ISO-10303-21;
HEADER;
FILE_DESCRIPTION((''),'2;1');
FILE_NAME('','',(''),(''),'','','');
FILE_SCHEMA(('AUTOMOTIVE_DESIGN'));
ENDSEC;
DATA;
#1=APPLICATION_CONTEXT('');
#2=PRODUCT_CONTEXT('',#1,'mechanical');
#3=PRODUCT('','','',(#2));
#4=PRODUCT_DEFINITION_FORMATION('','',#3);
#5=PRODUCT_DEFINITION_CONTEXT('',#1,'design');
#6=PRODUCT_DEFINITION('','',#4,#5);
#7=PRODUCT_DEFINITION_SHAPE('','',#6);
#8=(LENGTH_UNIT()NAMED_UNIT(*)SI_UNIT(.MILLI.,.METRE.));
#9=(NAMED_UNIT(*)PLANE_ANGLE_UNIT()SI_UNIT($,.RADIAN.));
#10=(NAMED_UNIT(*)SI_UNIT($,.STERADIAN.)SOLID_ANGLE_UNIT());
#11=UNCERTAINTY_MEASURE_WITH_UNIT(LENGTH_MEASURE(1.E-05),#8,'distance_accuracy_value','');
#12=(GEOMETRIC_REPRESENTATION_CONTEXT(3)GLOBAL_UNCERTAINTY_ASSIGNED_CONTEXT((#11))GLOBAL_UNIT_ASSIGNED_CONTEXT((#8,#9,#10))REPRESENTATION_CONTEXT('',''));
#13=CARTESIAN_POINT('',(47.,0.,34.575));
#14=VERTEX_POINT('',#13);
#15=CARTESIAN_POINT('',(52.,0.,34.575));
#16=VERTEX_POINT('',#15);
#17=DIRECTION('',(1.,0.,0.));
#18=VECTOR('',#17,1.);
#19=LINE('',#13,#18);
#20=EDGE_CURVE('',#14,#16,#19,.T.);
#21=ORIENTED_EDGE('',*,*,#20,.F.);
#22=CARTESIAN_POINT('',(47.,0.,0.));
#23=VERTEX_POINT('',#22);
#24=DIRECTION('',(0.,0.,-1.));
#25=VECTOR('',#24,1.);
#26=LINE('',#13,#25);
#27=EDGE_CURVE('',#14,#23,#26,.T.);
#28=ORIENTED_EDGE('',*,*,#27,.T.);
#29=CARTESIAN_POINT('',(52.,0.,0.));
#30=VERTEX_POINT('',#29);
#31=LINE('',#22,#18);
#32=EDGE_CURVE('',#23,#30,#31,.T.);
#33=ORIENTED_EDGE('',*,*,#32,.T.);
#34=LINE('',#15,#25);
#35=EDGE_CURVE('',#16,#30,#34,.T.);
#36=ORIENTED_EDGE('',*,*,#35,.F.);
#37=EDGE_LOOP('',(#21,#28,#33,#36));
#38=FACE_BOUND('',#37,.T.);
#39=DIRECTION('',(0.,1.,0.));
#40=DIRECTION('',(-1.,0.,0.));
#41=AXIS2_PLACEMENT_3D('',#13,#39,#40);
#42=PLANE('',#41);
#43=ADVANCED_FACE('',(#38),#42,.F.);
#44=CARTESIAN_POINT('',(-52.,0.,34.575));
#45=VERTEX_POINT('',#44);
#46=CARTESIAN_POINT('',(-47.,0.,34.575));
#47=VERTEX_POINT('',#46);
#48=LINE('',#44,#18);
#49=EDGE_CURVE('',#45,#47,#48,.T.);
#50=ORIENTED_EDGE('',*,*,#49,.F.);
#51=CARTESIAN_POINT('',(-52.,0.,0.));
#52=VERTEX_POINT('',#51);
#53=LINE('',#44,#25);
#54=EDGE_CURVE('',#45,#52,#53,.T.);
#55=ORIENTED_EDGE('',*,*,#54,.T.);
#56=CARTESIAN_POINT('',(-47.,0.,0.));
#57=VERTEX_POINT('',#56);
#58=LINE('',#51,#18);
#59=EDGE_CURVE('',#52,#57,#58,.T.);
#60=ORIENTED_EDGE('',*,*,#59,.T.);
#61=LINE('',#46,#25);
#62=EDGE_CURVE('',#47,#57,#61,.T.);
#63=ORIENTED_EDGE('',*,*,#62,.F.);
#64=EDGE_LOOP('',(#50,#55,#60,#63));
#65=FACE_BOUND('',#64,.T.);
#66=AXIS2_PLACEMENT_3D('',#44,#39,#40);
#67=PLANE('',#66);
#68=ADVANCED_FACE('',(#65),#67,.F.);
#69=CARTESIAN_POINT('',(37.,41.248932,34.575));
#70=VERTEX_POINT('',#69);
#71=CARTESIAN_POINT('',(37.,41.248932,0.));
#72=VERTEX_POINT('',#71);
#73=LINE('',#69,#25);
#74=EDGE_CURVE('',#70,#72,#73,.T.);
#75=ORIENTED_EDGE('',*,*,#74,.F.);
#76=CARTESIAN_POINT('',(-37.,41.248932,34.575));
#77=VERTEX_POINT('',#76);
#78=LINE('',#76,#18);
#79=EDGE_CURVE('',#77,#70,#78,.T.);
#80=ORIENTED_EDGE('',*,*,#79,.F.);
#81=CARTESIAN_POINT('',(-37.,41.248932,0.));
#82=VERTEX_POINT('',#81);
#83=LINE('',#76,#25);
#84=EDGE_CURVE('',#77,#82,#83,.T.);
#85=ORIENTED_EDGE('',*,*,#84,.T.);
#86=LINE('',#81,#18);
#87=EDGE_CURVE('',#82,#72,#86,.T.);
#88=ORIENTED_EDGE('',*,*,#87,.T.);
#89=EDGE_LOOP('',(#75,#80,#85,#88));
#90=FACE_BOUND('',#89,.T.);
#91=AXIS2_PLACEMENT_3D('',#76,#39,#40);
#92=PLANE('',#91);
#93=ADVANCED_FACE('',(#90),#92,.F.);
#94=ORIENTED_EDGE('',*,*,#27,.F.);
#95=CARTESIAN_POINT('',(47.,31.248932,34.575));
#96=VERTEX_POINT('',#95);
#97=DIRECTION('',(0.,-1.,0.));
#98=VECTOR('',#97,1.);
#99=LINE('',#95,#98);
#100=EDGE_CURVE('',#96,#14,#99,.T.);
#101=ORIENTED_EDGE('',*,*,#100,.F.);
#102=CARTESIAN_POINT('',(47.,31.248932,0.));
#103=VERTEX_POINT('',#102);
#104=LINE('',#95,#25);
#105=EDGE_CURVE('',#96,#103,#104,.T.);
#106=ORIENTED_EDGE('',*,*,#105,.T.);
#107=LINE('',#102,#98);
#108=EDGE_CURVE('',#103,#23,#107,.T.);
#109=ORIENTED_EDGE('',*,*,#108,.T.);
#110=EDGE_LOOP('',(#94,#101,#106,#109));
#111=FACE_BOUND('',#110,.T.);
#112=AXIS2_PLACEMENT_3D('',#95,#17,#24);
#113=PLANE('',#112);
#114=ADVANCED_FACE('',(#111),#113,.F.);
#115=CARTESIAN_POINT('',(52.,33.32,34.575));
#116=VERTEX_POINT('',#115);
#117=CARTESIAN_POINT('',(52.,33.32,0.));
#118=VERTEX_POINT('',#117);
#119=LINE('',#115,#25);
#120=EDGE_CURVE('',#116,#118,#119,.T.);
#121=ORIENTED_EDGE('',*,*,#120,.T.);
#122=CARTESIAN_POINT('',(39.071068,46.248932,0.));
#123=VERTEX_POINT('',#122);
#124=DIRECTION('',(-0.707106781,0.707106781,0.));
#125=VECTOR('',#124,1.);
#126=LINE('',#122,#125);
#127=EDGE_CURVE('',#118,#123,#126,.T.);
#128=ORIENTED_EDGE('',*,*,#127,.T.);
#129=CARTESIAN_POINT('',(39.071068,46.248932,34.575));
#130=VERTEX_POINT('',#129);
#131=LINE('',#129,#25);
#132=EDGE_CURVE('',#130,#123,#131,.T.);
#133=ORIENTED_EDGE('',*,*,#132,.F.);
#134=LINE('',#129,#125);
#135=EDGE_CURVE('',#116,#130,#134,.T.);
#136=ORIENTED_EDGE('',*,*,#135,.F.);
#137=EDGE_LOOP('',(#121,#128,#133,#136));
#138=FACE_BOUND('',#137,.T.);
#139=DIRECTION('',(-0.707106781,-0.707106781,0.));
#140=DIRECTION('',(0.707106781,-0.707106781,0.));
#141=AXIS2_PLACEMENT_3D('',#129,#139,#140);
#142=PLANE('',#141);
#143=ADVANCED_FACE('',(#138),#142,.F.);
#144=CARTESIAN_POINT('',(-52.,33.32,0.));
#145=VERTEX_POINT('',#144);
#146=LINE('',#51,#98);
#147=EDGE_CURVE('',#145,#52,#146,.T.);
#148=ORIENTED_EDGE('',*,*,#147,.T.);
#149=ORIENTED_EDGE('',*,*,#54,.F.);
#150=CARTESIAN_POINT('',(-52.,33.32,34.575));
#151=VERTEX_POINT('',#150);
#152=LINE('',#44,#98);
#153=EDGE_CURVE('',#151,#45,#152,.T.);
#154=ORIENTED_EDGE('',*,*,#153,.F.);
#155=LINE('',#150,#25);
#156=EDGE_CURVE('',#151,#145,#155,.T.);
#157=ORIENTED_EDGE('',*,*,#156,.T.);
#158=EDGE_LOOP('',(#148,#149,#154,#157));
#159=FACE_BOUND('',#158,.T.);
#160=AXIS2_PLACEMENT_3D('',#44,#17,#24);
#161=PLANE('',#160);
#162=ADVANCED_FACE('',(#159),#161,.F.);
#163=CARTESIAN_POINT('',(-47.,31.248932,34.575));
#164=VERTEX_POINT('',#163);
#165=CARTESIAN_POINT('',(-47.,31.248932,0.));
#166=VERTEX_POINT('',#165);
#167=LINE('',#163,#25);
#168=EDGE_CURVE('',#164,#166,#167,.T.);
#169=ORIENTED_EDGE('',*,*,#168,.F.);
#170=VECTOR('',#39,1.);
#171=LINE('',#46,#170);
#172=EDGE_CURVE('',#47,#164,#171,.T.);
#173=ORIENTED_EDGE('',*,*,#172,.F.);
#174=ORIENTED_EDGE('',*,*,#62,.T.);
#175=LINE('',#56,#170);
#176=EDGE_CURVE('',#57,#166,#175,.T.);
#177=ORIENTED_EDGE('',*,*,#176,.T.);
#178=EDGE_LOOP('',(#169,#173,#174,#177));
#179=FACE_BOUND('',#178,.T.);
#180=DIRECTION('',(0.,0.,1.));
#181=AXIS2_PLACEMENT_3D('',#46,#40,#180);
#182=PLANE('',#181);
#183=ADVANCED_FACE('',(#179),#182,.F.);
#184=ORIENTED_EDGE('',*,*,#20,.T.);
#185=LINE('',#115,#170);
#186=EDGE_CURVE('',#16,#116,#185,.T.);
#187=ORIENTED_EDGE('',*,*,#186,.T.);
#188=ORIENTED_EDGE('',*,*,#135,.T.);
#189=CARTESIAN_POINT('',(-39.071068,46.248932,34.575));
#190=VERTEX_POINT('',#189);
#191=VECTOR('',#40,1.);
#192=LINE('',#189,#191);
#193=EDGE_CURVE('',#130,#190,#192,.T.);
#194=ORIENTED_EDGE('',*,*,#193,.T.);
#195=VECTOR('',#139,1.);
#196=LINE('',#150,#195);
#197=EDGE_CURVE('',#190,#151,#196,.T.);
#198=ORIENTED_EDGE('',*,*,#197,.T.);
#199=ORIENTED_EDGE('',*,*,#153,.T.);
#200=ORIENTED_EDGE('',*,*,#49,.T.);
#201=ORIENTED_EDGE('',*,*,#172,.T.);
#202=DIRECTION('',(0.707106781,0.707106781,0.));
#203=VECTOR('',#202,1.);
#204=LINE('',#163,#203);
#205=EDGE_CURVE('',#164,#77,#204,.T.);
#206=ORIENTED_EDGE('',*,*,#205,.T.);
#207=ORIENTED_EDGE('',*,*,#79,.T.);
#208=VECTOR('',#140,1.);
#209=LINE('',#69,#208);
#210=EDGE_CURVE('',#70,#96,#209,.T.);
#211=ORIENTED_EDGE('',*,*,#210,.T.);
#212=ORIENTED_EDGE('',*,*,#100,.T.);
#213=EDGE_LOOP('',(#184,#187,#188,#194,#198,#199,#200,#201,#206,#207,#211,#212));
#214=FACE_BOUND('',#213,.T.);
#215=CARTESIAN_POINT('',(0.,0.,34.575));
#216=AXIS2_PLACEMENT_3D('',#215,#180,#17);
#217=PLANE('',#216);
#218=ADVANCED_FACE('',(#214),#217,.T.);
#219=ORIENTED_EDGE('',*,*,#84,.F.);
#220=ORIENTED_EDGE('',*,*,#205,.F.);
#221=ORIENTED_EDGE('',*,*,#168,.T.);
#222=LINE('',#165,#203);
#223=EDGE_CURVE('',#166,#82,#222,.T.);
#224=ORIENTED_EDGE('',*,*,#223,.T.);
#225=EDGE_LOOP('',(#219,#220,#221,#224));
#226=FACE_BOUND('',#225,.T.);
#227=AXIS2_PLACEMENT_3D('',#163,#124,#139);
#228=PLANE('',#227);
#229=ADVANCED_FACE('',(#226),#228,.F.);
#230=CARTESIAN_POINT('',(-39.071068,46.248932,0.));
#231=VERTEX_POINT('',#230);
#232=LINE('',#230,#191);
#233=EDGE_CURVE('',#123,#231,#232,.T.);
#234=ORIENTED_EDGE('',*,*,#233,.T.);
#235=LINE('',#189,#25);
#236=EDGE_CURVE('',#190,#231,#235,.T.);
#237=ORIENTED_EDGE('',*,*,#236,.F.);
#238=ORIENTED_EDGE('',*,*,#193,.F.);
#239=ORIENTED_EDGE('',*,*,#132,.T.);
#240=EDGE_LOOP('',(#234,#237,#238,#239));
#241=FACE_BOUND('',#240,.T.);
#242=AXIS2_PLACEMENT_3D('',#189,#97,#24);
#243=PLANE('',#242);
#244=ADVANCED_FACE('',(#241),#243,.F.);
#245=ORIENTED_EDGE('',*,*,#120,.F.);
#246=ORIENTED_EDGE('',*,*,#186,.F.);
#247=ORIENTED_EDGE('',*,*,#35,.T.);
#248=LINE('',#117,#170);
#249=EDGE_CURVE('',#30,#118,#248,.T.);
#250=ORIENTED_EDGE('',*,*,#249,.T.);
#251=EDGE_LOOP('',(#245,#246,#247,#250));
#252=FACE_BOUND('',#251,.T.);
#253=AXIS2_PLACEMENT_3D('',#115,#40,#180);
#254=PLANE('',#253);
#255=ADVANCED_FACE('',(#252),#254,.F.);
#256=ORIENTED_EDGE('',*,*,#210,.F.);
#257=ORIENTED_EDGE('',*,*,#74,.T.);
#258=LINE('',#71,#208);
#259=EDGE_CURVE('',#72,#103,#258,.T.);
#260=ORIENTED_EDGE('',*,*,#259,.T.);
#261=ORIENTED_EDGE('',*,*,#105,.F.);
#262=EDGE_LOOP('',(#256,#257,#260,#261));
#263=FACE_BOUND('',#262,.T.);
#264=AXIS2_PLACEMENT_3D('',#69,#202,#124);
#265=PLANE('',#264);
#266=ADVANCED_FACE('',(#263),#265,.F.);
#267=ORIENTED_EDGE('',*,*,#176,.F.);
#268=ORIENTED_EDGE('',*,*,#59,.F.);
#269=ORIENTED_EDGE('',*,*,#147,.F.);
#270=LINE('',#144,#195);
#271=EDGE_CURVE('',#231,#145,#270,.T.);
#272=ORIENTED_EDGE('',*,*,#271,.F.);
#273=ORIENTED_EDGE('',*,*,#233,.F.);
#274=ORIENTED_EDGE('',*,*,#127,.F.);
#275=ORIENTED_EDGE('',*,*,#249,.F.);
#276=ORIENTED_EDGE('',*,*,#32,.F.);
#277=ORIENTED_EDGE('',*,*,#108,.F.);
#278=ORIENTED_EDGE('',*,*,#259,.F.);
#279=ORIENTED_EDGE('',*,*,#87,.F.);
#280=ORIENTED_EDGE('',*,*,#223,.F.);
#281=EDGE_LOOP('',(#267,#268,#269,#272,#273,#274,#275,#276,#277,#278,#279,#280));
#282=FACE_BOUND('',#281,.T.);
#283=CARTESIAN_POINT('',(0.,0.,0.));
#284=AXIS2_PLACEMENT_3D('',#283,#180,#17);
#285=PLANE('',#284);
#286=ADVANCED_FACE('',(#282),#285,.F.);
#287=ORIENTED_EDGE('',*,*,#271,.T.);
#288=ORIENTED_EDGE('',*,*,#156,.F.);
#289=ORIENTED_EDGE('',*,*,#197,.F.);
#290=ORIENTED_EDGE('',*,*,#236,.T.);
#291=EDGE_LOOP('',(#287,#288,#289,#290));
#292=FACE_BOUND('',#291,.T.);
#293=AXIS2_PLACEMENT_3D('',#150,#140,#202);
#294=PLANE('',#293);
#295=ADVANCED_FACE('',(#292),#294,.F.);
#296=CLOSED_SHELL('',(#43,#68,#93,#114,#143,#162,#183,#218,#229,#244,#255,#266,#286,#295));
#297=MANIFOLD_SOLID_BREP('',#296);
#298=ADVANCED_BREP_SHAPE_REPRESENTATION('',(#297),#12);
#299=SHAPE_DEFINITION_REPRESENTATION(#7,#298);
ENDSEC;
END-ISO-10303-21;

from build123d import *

# Parameters (mm, degrees)
EXTRUDE_1_DEPTH = 34.575


with BuildPart() as part:
    # Эскиз1 → Бобышка-Вытянуть1 (new body)
    with BuildSketch(Plane.XY):
        Polygon((-47, 0), (-47, 31.248932188), (-37, 41.248932188), (37, 41.248932188), (47, 31.248932188), (47, 0), (52, 0), (52, 33.32), (39.071067812, 46.248932188), (-39.071067812, 46.248932188), (-52, 33.32), (-52, 0), align=None)
    extrude(amount=EXTRUDE_1_DEPTH)


solid = part.part
